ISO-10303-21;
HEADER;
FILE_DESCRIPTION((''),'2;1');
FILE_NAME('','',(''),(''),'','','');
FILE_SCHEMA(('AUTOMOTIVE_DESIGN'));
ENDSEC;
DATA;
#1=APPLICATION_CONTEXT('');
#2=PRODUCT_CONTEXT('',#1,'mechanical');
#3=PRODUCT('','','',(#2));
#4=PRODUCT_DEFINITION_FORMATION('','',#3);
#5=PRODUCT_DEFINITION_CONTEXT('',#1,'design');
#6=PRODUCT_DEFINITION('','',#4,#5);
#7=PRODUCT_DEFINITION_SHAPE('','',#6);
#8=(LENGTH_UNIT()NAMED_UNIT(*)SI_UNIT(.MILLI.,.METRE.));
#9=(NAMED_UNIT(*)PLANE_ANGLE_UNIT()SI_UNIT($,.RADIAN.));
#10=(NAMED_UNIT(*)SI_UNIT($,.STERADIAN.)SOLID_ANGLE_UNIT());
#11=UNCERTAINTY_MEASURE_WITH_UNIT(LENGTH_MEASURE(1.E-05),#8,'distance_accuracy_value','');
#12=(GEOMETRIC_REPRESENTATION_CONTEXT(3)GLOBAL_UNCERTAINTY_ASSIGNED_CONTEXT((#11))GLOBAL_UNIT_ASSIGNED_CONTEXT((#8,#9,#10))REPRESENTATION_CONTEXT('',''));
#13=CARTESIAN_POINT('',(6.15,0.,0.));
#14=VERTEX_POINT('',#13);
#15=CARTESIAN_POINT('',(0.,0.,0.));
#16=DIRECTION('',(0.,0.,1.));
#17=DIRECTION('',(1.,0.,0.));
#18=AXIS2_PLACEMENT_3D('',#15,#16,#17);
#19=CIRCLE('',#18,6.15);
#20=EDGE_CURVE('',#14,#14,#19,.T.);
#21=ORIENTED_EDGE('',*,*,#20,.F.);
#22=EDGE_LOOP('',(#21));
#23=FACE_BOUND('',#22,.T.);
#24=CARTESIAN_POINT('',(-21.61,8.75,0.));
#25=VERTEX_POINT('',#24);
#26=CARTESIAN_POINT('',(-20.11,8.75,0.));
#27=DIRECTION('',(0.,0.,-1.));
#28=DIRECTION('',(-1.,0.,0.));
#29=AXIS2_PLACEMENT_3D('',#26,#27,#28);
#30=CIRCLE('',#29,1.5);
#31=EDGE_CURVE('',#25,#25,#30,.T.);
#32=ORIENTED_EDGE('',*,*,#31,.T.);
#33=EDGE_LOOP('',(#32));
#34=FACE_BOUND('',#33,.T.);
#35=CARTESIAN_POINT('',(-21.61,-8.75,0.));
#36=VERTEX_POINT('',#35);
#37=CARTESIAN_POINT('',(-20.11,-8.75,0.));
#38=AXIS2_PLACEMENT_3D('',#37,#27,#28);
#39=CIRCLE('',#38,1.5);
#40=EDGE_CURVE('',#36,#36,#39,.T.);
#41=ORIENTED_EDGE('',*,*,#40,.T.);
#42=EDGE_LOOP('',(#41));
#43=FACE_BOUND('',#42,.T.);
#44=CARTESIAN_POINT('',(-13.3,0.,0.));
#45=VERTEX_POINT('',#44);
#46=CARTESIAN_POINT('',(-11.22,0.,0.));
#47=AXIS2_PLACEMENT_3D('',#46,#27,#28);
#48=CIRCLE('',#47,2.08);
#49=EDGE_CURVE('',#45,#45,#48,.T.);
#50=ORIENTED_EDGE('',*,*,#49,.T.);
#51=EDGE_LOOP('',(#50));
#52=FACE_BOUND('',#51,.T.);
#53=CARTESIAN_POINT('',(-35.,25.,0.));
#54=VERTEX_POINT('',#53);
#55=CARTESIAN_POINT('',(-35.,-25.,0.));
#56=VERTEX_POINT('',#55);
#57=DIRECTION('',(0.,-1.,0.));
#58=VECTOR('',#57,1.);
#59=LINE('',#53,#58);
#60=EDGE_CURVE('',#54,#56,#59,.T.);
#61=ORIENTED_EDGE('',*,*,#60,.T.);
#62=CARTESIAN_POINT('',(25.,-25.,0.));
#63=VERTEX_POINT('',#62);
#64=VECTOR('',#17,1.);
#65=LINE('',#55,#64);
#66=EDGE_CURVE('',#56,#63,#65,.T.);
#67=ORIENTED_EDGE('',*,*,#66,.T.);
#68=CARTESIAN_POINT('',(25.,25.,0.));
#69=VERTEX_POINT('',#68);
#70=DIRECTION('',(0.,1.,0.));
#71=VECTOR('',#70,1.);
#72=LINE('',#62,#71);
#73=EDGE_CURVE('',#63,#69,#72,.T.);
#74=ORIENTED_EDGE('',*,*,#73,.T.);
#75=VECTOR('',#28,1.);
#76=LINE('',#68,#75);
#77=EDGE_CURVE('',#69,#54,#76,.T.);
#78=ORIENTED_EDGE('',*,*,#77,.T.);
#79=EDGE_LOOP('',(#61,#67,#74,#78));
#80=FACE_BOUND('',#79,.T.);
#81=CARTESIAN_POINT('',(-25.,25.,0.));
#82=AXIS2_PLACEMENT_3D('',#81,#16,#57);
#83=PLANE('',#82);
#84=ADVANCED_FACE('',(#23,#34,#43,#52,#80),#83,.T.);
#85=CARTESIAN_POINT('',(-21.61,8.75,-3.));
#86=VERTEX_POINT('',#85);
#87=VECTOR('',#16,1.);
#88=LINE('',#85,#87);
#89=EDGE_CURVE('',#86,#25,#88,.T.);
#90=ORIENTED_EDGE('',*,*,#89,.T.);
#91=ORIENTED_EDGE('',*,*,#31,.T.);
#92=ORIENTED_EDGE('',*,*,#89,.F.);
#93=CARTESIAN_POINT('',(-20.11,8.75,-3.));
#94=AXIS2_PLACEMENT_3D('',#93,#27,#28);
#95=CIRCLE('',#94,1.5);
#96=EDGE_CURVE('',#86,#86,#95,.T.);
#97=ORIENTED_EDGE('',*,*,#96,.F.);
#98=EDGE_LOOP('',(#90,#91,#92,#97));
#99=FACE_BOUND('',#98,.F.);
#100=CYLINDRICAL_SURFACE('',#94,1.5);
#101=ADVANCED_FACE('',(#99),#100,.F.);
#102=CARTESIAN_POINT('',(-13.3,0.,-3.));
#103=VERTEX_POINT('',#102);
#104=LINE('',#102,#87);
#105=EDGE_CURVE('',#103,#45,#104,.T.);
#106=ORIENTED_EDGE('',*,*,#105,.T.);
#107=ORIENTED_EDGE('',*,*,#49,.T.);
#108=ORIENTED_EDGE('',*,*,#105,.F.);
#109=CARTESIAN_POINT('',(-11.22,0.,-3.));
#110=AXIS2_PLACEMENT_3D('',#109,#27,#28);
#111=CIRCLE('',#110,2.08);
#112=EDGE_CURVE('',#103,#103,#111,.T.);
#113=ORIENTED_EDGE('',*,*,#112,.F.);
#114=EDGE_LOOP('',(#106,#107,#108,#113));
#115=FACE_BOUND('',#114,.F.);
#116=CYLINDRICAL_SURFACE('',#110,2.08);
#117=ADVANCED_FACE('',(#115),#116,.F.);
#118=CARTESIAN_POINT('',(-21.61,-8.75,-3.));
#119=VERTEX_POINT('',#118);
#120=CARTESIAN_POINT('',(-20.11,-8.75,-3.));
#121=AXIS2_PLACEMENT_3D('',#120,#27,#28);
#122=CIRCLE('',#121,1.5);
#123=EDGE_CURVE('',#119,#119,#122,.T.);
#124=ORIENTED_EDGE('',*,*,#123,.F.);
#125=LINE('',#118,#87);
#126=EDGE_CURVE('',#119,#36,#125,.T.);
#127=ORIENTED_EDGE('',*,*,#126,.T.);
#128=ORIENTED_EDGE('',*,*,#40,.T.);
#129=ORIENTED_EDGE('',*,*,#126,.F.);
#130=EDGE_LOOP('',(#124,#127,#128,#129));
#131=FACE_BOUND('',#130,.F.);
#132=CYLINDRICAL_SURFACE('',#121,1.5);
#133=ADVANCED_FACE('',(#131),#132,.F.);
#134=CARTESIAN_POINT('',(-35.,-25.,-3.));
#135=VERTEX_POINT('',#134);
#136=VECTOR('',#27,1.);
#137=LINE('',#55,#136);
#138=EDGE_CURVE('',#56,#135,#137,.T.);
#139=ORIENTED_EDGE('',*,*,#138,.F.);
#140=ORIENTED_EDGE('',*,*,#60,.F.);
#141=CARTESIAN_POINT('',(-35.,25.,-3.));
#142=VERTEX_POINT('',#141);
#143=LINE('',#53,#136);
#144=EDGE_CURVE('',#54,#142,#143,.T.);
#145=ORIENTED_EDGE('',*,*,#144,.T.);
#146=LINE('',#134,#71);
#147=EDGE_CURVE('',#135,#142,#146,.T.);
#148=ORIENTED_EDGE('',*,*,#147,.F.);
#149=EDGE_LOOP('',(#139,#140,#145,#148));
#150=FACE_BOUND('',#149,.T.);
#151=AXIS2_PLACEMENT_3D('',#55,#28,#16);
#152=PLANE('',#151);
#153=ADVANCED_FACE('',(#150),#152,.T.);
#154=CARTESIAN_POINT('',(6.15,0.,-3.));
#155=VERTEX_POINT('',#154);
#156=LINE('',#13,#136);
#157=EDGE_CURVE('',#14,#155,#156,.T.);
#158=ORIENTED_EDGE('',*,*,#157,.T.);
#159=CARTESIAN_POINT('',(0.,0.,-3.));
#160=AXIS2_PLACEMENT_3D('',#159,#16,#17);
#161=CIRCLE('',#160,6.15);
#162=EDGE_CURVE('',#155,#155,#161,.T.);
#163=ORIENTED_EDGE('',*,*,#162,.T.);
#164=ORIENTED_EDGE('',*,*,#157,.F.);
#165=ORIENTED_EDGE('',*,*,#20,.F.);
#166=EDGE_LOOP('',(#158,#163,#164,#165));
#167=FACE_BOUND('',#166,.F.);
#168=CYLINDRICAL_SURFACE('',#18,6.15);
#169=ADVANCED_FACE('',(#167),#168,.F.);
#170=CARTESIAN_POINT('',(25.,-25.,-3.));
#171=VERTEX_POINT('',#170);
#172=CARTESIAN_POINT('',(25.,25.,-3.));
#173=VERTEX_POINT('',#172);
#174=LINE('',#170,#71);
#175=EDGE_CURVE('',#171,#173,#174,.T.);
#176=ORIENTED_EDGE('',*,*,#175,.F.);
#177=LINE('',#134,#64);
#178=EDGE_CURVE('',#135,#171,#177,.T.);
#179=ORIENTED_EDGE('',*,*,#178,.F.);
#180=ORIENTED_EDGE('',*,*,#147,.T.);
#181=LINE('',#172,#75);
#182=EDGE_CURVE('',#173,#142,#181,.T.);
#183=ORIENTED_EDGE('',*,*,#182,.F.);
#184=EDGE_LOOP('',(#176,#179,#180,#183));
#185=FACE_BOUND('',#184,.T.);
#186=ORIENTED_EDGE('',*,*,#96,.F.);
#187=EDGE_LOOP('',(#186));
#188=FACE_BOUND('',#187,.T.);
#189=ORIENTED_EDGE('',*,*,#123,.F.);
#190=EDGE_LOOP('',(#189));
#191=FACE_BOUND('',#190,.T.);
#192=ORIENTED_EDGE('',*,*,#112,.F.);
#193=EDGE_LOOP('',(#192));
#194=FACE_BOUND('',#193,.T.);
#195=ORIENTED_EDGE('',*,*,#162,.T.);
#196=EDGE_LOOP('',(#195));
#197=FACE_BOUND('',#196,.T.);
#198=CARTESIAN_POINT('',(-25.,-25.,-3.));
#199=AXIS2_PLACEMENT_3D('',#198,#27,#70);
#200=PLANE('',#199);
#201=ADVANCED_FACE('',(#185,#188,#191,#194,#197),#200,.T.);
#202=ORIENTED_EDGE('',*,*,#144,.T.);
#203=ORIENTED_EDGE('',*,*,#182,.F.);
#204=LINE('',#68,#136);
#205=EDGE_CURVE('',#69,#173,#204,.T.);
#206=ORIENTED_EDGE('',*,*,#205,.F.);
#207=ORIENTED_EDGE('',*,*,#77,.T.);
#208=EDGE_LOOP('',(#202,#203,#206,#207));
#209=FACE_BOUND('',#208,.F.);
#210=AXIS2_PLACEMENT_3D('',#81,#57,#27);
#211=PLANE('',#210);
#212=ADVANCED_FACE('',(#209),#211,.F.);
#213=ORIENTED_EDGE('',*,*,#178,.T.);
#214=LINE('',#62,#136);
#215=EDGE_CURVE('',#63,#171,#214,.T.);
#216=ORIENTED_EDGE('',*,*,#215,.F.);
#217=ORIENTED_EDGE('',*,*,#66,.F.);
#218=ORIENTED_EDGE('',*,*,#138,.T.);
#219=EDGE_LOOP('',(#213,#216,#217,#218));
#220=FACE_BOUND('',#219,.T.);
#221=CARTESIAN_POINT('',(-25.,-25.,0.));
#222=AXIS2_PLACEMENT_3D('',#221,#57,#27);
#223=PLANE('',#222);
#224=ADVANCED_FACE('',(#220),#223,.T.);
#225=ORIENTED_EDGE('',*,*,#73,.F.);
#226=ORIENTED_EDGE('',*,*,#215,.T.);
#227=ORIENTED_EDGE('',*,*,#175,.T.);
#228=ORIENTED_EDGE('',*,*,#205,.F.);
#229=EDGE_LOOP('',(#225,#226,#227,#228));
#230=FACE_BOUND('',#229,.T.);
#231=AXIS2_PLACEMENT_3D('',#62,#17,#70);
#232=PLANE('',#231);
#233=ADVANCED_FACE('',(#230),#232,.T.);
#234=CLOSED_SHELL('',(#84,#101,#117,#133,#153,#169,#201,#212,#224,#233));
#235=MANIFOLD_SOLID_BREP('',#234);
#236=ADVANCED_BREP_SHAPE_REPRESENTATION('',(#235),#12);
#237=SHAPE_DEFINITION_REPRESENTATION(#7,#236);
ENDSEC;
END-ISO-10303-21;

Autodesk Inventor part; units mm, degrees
ref_plane "YZ Plane" through (0, 0, 0) normal (1, 0, 0) x (0, 1, 0)
ref_plane "XZ Plane" through (0, 0, 0) normal (0, 1, 0) x (-1, 0, 0)
ref_plane "XY Plane" through (0, 0, 0) normal (0, 0, 1) x (1, 0, 0)
sketch "Sketch1" plane through (0, 0, 0) normal (0, 0, 1) x (1, 0, 0)
  ellipse E0 centre (0, 0) end of major axis (0, 3.5) minor radius 3.5 projected
  arc A0 (-2.0076, 1.85) -> (-2.0076, -1.85) centre (0, 0) ccw projected
  line L0 (-2.0076, 1.85) -> (2.0076, 1.85) projected
  arc A1 (2.0076, -1.85) -> (2.0076, 1.85) centre (0, 0) ccw projected
  line L1 (2.0076, -1.85) -> (-2.0076, -1.85) projected
  line L2 (-50, -25) -> (50, -25)
  line L3 (50, -25) -> (50, 25)
  line L4 (50, 25) -> (-50, 25)
  line L5 (-50, 25) -> (-50, -25)
  line L6 (-50, -25) -> (50, 25) construction
  line L7 (50, -25) -> (-50, 25) construction
  line L8 (-25, -25) -> (-25, 25)
  line L9 (25, -25) -> (25, 25)
  circle A2 centre (0, 0) radius 6.15
  point P0 (0, 0)
  dimension "d0" = 100
  dimension "d1" = 50
  dimension "d4" = 25
  dimension "d5" = 50
  dimension "d10" = 12.3
extrude "Extrusion1" add sketch "Sketch1" against normal blind 3 contours L8 L4 L9 L2
sketch "Sketch2" plane through (0, 0, -3) normal (0, 0, -1) x (-1, 0, 0)
  circle A0 centre (20.11, -8.75) radius 1.5 projected
  circle A1 centre (11.22, 0) radius 2.08 projected
  circle A2 centre (20.11, 8.75) radius 1.5 projected
  point P0 (0, 0)
extrude "Extrusion2" cut sketch "Sketch2" against normal through all
sketch "Sketch3" plane through (-25, -25, 0) normal (-1, 0, 0) x (0, 0, 1)
  line L0 (0, 50) -> (0, 0) projected
  line L1 (0, 50) -> (-3, 50) projected
  line L2 (-3, 0) -> (-3, 50) projected
  line L3 (0, 0) -> (-3, 0) projected
  point P0 (0, 25)
extrude "Extrusion3" add sketch "Sketch3" along normal blind 10
sketch "Sketch4" plane through (0, 0, -3) normal (0, 0, -1) x (-1, 0, 0)
  circle A0 centre (20.11, -8.75) radius 1.5 projected
  circle A1 centre (20.11, 8.75) radius 1.5 projected
  point P0 (0, 0)
extrude "Extrusion4" cut sketch "Sketch4" against normal through all
properties part number "arm2"
